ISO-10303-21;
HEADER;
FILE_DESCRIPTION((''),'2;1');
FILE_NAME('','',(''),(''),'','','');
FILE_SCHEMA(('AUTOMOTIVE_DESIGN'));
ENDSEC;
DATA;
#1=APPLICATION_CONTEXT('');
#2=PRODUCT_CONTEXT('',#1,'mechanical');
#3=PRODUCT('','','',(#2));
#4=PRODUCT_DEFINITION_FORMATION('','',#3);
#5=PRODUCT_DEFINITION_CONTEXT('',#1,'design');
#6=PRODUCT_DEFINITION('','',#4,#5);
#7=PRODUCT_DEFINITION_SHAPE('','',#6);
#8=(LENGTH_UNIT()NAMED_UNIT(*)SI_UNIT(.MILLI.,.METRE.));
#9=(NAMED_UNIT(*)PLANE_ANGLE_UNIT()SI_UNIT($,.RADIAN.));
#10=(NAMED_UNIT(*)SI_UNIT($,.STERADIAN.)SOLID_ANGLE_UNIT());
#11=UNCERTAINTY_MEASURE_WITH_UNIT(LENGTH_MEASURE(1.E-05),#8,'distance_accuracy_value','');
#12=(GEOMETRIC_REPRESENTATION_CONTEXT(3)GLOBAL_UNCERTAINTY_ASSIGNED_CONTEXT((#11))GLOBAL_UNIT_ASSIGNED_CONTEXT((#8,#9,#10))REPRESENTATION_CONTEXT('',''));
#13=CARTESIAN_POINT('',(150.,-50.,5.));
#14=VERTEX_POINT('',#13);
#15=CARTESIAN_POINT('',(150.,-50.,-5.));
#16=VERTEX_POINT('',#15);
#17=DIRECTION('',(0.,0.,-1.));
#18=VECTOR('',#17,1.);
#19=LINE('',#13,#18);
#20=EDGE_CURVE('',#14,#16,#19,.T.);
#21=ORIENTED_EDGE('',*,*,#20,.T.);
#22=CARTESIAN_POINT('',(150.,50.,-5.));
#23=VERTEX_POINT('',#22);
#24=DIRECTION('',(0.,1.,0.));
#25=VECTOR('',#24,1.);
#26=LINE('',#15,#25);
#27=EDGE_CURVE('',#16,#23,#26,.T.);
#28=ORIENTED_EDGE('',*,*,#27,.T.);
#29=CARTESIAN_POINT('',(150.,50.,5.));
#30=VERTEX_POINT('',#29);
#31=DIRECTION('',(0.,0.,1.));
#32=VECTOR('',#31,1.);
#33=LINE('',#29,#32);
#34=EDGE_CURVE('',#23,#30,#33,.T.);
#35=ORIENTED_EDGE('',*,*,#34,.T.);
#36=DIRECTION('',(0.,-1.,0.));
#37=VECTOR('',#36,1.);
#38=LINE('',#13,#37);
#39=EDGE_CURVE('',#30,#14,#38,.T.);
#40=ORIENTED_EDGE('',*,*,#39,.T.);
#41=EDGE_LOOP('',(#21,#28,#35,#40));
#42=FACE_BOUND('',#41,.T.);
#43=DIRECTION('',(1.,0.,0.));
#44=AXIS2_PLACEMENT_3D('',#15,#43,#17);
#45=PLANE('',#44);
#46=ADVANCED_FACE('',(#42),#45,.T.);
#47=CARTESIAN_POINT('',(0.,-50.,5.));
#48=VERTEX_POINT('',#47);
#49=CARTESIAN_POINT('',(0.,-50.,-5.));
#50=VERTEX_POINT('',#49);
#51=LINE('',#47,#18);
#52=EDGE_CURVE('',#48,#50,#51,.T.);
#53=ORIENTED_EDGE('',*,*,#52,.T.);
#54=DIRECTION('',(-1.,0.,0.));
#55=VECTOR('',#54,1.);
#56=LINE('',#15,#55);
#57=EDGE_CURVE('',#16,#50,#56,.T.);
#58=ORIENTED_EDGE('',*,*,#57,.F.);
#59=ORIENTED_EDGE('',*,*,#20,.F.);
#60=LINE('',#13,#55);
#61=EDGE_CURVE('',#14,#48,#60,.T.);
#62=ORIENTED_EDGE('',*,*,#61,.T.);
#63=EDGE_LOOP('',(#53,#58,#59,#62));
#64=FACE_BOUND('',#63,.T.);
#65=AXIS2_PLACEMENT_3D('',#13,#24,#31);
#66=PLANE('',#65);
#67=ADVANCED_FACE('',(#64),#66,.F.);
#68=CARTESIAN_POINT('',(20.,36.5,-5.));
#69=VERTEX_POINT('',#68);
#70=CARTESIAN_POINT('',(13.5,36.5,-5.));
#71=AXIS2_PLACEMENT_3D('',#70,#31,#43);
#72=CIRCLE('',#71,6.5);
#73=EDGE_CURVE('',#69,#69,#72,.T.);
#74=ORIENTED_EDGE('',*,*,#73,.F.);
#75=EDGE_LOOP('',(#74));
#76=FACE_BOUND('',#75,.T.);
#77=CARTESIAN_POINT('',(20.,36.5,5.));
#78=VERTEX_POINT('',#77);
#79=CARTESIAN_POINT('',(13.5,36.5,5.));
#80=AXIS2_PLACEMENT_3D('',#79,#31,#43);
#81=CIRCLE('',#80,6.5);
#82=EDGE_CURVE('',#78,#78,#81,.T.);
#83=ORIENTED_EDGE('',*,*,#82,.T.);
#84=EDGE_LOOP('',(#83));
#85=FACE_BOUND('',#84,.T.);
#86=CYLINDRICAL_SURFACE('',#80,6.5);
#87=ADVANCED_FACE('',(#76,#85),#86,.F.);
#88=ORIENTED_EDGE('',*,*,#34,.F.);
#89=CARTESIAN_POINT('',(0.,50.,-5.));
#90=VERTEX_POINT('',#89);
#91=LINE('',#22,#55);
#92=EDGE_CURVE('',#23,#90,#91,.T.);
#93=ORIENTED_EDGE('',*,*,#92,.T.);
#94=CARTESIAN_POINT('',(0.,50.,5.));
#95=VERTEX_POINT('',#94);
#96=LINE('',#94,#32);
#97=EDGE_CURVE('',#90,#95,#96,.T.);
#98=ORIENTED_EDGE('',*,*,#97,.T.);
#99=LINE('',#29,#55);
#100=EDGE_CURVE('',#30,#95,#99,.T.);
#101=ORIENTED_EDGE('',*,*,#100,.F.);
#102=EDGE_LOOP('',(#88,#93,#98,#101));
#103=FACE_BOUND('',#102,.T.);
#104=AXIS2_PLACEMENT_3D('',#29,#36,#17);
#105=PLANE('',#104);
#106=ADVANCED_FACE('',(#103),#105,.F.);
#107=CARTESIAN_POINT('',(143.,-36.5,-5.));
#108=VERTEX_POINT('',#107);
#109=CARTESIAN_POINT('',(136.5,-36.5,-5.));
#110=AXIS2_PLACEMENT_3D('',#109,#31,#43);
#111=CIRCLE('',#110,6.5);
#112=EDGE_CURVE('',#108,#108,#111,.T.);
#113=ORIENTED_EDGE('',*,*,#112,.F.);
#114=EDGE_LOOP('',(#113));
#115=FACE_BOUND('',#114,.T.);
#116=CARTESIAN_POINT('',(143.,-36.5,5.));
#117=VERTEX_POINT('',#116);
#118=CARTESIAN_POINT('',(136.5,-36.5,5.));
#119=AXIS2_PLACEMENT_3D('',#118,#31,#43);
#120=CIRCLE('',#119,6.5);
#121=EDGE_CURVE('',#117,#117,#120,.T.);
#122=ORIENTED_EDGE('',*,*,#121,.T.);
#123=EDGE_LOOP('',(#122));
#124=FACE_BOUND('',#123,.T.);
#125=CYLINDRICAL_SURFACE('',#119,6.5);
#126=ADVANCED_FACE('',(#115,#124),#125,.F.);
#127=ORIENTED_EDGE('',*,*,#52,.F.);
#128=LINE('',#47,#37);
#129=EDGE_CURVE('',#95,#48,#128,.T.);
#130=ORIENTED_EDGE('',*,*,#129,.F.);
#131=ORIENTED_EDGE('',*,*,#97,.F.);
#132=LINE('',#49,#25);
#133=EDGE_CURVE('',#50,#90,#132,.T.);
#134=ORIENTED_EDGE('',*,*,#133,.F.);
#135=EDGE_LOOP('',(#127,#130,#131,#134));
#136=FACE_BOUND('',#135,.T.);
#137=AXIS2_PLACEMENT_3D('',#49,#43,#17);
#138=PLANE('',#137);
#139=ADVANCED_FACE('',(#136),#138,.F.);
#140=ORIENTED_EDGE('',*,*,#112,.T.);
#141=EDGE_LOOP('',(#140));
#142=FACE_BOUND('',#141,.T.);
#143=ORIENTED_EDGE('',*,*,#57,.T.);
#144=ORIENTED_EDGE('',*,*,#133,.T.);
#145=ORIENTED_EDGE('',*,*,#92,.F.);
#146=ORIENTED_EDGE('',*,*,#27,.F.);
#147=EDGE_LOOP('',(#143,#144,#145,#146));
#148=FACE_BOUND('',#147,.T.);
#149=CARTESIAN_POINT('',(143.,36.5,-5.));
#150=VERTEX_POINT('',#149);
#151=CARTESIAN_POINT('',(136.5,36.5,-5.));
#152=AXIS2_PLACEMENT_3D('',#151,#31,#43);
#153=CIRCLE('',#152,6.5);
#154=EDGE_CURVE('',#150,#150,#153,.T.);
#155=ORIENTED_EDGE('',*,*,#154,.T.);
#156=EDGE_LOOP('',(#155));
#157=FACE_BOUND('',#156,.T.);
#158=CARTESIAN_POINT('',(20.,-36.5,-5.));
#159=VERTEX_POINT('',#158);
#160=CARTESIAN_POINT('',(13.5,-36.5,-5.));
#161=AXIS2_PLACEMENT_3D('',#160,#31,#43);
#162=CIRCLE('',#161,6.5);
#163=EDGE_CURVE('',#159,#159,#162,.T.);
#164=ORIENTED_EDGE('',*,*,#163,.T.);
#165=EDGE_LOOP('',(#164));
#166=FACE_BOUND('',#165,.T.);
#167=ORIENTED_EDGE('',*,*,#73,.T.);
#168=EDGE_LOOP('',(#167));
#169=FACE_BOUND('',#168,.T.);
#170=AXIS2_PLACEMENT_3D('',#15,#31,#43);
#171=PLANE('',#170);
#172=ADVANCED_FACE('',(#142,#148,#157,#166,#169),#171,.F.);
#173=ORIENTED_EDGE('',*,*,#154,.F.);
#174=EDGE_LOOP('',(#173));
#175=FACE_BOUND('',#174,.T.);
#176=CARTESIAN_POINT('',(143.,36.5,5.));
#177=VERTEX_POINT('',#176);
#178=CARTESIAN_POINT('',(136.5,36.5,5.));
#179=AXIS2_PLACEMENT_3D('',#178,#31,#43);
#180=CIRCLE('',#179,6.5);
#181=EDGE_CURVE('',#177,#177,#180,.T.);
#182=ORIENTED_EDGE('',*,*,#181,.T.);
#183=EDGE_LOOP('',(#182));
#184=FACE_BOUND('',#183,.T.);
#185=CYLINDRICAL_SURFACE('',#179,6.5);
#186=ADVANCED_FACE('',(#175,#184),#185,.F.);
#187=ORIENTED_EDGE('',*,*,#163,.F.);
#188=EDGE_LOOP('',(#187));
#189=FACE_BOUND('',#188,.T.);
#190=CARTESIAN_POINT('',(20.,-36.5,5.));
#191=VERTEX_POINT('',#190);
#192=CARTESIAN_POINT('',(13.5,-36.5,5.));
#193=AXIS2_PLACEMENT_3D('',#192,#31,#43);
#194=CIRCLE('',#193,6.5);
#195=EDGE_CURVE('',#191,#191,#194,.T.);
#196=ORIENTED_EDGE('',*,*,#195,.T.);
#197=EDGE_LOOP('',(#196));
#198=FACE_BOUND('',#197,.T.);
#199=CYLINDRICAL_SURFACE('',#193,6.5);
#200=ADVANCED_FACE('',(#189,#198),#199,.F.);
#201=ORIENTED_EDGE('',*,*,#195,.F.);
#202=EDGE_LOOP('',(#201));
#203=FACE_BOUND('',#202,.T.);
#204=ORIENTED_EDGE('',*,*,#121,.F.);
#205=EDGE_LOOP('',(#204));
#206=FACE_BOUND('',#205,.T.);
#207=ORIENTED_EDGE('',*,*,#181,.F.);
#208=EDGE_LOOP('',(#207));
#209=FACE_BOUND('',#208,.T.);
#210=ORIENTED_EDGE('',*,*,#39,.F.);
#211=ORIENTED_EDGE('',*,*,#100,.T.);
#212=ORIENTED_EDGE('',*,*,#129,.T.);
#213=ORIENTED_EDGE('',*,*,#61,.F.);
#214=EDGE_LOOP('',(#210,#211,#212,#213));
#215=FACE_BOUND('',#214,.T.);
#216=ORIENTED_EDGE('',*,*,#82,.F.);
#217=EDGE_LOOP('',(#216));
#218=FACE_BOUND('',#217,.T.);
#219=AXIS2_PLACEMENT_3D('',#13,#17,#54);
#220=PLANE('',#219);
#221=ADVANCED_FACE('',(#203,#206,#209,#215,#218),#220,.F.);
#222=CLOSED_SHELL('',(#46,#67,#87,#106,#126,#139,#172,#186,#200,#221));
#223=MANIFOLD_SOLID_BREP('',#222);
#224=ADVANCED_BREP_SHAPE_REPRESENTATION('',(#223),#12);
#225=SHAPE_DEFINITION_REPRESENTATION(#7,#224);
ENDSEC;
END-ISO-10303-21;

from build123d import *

# Parameters (mm, degrees)
PLAT_W                      = 100
PLAT_H                      = 10
EL_MENT_M_CANO_SOUD_1_DEPTH = 150
D_GAGEMENT_M121_D           = 13


with BuildPart() as part:
    # plat → Elément mécano-soudé1 (new body)
    with BuildSketch(Plane.YZ):
        Rectangle(PLAT_W, PLAT_H)
    extrude(amount=EL_MENT_M_CANO_SOUD_1_DEPTH)

    # Dégagement M121 (through all)
    with Locations(Plane.XY.offset(5)):
        with Locations((13.5, 36.5), (136.5, 36.5), (136.5, -36.5), (13.5, -36.5)):
            Hole(D_GAGEMENT_M121_D / 2)


solid = part.part
